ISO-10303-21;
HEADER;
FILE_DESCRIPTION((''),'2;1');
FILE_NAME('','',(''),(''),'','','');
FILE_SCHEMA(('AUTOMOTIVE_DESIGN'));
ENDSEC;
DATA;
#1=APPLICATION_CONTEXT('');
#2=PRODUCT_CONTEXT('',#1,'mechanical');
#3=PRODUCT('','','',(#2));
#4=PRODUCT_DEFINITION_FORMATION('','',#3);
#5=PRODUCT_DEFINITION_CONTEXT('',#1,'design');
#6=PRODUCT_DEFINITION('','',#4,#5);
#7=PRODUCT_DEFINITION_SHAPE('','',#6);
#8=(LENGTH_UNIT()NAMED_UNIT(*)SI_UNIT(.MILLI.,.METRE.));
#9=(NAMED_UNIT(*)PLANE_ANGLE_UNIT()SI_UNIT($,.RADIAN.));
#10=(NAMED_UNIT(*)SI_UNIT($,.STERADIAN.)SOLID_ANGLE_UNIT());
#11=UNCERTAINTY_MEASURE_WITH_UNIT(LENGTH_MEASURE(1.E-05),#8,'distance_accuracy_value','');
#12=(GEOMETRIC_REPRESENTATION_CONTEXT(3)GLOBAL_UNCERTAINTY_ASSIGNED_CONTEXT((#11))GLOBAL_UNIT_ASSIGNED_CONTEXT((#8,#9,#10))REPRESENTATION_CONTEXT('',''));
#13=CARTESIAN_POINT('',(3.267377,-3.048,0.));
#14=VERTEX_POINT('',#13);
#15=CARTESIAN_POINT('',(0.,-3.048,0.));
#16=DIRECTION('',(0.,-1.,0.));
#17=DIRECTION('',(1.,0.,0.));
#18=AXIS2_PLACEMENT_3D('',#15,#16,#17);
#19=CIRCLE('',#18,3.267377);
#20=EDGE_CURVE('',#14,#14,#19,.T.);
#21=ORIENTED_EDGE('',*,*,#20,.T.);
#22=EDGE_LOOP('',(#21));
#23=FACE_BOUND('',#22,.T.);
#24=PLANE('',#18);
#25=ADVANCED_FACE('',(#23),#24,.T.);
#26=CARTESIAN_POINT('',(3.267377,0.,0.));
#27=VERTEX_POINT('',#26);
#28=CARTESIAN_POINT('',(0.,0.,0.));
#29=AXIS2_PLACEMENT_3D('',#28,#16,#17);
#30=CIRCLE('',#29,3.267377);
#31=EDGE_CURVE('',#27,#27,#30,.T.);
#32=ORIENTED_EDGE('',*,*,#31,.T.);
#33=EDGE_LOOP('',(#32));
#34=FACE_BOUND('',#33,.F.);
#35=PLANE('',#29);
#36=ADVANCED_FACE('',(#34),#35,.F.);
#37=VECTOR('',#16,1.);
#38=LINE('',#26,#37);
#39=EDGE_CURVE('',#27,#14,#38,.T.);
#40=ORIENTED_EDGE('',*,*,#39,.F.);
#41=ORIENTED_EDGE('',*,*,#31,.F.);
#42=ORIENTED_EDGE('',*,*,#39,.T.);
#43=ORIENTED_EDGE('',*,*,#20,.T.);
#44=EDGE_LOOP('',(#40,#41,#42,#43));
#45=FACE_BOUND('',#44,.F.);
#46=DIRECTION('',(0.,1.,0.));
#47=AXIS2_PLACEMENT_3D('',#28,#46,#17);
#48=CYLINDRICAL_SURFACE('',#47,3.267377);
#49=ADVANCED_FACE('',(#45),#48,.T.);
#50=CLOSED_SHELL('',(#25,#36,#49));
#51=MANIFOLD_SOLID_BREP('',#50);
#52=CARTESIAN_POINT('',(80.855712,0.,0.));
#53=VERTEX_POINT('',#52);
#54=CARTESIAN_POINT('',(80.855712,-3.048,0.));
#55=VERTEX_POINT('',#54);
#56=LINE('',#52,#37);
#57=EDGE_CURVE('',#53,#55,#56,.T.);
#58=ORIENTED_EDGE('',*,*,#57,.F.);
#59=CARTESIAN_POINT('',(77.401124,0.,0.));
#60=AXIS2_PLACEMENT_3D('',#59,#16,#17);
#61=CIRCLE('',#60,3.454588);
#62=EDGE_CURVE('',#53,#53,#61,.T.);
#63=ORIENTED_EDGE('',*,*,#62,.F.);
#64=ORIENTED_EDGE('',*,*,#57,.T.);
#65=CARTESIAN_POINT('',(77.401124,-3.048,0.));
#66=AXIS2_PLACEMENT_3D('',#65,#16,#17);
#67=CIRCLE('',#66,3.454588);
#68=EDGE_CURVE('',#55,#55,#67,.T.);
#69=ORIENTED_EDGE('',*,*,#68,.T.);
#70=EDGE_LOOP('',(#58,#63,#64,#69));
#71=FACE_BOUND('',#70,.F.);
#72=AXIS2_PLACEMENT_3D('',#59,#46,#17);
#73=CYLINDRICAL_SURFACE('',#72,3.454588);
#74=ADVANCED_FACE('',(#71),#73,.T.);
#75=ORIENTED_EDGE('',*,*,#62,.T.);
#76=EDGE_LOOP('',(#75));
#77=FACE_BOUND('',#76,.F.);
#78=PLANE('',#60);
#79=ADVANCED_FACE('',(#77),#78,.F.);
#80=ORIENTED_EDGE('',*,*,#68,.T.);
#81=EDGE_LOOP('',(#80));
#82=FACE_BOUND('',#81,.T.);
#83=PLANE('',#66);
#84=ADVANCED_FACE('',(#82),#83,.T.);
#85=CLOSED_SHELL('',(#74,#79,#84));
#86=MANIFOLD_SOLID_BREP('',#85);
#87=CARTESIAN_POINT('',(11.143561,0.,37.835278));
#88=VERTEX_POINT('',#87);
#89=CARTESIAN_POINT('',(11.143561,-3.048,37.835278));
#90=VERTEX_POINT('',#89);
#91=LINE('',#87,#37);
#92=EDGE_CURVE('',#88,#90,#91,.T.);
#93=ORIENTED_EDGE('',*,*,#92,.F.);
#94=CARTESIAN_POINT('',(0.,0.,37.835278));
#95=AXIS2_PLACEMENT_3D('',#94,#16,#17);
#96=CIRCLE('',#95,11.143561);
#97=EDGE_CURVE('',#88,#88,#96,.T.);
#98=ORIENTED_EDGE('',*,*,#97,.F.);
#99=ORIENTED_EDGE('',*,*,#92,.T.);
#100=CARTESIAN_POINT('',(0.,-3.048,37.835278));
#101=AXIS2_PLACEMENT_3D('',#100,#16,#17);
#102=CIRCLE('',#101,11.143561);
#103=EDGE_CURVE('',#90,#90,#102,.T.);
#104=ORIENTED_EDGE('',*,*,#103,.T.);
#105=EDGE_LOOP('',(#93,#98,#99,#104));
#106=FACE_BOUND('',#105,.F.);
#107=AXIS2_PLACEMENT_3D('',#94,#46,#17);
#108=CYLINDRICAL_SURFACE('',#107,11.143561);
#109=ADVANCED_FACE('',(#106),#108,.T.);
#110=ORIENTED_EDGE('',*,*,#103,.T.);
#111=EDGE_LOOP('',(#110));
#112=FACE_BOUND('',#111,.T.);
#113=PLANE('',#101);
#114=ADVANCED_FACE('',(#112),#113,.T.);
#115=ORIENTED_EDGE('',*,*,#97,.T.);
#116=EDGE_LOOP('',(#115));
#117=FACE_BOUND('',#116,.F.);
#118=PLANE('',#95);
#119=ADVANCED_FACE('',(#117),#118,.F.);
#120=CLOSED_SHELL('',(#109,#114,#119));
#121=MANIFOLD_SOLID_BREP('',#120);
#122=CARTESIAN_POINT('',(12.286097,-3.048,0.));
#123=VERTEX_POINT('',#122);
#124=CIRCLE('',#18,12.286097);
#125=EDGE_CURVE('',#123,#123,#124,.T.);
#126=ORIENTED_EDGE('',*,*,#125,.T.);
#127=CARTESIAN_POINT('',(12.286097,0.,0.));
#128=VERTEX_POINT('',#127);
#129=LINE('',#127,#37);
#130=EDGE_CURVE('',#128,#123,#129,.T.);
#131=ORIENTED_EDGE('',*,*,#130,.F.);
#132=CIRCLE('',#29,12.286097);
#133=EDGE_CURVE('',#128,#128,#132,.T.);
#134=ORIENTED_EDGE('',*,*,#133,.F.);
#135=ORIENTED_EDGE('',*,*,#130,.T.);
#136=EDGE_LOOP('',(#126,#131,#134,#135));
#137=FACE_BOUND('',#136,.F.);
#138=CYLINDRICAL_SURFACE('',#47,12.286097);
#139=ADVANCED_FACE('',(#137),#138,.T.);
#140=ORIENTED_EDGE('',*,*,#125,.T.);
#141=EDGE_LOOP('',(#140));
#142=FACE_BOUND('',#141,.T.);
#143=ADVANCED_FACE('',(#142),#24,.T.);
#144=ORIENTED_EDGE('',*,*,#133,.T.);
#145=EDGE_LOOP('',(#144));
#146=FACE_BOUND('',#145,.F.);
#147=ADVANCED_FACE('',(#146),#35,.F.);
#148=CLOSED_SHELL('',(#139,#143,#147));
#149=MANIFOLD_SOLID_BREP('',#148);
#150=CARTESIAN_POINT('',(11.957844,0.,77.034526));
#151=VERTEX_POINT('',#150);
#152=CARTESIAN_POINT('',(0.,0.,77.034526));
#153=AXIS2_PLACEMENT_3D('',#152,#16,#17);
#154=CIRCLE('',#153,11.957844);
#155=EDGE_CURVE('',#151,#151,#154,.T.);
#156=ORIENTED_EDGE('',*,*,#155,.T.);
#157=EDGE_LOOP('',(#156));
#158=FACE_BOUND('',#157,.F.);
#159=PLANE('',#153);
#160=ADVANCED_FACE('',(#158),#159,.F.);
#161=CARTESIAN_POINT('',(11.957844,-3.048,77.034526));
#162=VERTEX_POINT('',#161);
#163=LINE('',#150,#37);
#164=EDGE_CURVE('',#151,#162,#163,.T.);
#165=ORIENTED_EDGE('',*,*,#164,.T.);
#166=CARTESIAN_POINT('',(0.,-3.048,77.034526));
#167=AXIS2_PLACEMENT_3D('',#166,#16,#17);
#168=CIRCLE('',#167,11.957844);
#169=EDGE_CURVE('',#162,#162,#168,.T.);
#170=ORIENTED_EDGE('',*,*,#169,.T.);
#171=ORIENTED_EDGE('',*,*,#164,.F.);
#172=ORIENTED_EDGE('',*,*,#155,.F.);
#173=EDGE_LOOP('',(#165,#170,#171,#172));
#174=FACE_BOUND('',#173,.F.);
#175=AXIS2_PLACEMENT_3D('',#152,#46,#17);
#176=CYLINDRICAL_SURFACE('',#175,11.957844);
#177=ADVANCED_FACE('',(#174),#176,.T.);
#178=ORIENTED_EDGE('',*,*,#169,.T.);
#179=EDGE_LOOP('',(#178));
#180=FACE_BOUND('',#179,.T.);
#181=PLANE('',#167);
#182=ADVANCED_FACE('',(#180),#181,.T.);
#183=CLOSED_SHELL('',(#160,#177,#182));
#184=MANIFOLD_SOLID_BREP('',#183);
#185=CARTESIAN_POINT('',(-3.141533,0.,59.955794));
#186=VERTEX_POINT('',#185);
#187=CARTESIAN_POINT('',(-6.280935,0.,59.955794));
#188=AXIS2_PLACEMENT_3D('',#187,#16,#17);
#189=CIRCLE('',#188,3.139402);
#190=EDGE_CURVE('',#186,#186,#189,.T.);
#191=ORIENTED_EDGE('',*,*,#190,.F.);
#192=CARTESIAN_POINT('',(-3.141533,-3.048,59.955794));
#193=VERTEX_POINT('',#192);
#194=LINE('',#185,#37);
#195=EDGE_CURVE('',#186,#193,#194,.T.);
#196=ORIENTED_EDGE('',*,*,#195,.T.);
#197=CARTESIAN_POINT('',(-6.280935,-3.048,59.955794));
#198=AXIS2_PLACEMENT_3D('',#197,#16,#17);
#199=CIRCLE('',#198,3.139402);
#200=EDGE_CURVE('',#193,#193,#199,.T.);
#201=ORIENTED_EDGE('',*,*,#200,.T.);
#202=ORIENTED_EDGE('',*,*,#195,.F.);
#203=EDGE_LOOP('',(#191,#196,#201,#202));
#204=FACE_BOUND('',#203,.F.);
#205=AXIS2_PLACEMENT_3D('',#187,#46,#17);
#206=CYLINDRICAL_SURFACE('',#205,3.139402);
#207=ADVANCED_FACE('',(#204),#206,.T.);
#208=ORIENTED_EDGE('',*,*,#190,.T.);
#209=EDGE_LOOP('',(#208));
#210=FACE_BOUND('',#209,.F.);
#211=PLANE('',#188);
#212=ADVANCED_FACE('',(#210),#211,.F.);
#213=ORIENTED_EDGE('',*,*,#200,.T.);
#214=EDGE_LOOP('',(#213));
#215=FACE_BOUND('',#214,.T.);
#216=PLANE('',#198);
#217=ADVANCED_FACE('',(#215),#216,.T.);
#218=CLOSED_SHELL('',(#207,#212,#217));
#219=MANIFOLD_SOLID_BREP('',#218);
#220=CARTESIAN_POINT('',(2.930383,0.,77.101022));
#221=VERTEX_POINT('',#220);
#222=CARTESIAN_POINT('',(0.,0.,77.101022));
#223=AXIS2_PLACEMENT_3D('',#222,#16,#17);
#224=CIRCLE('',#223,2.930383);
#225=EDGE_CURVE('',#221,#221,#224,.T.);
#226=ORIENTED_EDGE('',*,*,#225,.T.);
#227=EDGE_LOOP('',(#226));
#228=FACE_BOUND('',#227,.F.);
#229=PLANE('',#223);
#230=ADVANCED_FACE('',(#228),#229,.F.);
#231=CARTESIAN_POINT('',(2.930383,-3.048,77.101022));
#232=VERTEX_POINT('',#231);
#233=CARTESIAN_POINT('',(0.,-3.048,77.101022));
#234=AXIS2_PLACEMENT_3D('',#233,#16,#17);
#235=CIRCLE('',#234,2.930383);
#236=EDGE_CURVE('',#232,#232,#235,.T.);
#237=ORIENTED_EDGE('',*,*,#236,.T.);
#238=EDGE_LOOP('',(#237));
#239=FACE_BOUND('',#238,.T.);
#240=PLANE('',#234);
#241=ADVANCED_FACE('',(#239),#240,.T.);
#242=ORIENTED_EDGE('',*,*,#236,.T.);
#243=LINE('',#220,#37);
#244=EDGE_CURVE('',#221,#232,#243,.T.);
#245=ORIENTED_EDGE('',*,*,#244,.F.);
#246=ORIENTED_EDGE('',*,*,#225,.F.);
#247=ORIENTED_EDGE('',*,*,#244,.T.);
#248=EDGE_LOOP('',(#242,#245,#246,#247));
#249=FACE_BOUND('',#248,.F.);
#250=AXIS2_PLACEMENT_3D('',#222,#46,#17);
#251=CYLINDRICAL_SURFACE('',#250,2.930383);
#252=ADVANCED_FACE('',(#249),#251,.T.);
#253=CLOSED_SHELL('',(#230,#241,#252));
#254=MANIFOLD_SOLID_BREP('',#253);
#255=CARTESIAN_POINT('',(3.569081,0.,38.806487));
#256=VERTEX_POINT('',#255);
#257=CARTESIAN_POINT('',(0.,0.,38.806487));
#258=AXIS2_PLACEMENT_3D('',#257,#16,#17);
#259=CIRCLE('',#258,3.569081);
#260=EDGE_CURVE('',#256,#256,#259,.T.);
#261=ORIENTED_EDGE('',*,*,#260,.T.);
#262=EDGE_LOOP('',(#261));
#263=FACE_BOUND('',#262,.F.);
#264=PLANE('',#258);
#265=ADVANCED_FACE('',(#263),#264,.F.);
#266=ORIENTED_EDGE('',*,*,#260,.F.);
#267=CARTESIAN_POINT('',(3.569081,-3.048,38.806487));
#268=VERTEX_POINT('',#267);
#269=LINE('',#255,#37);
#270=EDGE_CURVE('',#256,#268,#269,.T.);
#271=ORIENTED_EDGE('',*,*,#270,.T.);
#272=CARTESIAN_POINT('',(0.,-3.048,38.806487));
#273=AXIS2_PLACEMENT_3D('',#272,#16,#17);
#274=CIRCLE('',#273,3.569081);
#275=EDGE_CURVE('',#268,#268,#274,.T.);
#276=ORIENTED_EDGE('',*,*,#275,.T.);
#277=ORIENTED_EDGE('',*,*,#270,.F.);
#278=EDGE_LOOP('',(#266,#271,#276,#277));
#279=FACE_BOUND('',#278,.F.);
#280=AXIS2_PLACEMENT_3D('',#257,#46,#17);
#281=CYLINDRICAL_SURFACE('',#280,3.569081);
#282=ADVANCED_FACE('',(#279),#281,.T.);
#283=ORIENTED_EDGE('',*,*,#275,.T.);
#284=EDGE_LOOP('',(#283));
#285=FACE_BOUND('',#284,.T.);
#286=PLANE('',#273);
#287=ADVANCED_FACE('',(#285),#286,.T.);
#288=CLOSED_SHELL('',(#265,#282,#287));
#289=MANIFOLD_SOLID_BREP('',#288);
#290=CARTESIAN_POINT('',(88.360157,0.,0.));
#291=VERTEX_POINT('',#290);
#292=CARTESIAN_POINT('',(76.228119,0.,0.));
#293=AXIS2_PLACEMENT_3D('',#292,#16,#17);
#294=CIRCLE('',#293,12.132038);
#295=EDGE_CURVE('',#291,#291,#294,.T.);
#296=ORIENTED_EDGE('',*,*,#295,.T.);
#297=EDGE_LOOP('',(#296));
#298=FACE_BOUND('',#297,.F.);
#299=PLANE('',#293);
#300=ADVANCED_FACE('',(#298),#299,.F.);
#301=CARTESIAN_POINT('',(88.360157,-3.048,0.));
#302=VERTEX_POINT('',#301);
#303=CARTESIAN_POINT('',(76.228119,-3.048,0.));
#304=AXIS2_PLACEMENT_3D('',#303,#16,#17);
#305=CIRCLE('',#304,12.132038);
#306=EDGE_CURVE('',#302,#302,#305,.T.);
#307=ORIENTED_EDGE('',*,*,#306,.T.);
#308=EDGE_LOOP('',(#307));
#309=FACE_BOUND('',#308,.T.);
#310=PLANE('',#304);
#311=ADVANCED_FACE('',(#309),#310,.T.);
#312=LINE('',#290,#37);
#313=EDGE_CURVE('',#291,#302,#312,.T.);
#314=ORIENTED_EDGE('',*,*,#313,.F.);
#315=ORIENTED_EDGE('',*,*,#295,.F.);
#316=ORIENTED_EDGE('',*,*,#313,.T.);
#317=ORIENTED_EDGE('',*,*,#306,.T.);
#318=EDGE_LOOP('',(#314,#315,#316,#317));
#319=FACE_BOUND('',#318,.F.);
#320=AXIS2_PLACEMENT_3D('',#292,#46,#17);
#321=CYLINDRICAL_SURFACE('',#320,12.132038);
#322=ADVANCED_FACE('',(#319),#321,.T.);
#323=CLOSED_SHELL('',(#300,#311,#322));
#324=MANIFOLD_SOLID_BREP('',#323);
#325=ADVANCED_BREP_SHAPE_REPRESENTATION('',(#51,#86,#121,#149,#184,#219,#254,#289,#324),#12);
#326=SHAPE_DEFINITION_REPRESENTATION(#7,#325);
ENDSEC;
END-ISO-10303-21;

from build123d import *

# Parameters (mm, degrees)
F0_R     = 12.286097
F5_DEPTH = 3.048
F1_R     = 11.143561
F6_DEPTH = 3.048
F2_R     = 11.957844
F7_DEPTH = 3.048
F3_R     = 12.132038
F8_DEPTH = 3.048
F4_R     = 2.930383
F4_R_2   = 3.569081
F4_R_3   = 3.267377
F4_R_4   = 3.454588
F4_R_5   = 3.139402
F9_DEPTH = 3.048


with BuildPart() as f5:
    # F0 (on Front) → F5 (new body)
    with BuildSketch(Plane.XZ):
        Circle(F0_R)
    extrude(amount=F5_DEPTH)


with BuildPart() as f6:
    # F1 (on Front) → F6 (new body)
    with BuildSketch(Plane.XZ):
        with Locations((0, 37.835278)):
            Circle(F1_R)
    extrude(amount=F6_DEPTH)


with BuildPart() as f7:
    # F2 (on Front) → F7 (new body)
    with BuildSketch(Plane.XZ):
        with Locations((0, 77.034526)):
            Circle(F2_R)
    extrude(amount=F7_DEPTH)


with BuildPart() as f8:
    # F3 (on Front) → F8 (new body)
    with BuildSketch(Plane.XZ):
        with Locations((76.228119, 0)):
            Circle(F3_R)
    extrude(amount=F8_DEPTH)


with BuildPart() as f9:
    # F4 (on Front) → F9 (new body)
    with BuildSketch(Plane.XZ):
        with Locations((0, 77.101022)):
            Circle(F4_R)
        with Locations((0, 38.806487)):
            Circle(F4_R_2)
        Circle(F4_R_3)
        with Locations((77.401124, 0)):
            Circle(F4_R_4)
        with Locations((-6.280935, 59.955794)):
            Circle(F4_R_5)
    extrude(amount=F9_DEPTH)


solid = Compound([f5.part, f6.part, f7.part, f8.part, f9.part])
